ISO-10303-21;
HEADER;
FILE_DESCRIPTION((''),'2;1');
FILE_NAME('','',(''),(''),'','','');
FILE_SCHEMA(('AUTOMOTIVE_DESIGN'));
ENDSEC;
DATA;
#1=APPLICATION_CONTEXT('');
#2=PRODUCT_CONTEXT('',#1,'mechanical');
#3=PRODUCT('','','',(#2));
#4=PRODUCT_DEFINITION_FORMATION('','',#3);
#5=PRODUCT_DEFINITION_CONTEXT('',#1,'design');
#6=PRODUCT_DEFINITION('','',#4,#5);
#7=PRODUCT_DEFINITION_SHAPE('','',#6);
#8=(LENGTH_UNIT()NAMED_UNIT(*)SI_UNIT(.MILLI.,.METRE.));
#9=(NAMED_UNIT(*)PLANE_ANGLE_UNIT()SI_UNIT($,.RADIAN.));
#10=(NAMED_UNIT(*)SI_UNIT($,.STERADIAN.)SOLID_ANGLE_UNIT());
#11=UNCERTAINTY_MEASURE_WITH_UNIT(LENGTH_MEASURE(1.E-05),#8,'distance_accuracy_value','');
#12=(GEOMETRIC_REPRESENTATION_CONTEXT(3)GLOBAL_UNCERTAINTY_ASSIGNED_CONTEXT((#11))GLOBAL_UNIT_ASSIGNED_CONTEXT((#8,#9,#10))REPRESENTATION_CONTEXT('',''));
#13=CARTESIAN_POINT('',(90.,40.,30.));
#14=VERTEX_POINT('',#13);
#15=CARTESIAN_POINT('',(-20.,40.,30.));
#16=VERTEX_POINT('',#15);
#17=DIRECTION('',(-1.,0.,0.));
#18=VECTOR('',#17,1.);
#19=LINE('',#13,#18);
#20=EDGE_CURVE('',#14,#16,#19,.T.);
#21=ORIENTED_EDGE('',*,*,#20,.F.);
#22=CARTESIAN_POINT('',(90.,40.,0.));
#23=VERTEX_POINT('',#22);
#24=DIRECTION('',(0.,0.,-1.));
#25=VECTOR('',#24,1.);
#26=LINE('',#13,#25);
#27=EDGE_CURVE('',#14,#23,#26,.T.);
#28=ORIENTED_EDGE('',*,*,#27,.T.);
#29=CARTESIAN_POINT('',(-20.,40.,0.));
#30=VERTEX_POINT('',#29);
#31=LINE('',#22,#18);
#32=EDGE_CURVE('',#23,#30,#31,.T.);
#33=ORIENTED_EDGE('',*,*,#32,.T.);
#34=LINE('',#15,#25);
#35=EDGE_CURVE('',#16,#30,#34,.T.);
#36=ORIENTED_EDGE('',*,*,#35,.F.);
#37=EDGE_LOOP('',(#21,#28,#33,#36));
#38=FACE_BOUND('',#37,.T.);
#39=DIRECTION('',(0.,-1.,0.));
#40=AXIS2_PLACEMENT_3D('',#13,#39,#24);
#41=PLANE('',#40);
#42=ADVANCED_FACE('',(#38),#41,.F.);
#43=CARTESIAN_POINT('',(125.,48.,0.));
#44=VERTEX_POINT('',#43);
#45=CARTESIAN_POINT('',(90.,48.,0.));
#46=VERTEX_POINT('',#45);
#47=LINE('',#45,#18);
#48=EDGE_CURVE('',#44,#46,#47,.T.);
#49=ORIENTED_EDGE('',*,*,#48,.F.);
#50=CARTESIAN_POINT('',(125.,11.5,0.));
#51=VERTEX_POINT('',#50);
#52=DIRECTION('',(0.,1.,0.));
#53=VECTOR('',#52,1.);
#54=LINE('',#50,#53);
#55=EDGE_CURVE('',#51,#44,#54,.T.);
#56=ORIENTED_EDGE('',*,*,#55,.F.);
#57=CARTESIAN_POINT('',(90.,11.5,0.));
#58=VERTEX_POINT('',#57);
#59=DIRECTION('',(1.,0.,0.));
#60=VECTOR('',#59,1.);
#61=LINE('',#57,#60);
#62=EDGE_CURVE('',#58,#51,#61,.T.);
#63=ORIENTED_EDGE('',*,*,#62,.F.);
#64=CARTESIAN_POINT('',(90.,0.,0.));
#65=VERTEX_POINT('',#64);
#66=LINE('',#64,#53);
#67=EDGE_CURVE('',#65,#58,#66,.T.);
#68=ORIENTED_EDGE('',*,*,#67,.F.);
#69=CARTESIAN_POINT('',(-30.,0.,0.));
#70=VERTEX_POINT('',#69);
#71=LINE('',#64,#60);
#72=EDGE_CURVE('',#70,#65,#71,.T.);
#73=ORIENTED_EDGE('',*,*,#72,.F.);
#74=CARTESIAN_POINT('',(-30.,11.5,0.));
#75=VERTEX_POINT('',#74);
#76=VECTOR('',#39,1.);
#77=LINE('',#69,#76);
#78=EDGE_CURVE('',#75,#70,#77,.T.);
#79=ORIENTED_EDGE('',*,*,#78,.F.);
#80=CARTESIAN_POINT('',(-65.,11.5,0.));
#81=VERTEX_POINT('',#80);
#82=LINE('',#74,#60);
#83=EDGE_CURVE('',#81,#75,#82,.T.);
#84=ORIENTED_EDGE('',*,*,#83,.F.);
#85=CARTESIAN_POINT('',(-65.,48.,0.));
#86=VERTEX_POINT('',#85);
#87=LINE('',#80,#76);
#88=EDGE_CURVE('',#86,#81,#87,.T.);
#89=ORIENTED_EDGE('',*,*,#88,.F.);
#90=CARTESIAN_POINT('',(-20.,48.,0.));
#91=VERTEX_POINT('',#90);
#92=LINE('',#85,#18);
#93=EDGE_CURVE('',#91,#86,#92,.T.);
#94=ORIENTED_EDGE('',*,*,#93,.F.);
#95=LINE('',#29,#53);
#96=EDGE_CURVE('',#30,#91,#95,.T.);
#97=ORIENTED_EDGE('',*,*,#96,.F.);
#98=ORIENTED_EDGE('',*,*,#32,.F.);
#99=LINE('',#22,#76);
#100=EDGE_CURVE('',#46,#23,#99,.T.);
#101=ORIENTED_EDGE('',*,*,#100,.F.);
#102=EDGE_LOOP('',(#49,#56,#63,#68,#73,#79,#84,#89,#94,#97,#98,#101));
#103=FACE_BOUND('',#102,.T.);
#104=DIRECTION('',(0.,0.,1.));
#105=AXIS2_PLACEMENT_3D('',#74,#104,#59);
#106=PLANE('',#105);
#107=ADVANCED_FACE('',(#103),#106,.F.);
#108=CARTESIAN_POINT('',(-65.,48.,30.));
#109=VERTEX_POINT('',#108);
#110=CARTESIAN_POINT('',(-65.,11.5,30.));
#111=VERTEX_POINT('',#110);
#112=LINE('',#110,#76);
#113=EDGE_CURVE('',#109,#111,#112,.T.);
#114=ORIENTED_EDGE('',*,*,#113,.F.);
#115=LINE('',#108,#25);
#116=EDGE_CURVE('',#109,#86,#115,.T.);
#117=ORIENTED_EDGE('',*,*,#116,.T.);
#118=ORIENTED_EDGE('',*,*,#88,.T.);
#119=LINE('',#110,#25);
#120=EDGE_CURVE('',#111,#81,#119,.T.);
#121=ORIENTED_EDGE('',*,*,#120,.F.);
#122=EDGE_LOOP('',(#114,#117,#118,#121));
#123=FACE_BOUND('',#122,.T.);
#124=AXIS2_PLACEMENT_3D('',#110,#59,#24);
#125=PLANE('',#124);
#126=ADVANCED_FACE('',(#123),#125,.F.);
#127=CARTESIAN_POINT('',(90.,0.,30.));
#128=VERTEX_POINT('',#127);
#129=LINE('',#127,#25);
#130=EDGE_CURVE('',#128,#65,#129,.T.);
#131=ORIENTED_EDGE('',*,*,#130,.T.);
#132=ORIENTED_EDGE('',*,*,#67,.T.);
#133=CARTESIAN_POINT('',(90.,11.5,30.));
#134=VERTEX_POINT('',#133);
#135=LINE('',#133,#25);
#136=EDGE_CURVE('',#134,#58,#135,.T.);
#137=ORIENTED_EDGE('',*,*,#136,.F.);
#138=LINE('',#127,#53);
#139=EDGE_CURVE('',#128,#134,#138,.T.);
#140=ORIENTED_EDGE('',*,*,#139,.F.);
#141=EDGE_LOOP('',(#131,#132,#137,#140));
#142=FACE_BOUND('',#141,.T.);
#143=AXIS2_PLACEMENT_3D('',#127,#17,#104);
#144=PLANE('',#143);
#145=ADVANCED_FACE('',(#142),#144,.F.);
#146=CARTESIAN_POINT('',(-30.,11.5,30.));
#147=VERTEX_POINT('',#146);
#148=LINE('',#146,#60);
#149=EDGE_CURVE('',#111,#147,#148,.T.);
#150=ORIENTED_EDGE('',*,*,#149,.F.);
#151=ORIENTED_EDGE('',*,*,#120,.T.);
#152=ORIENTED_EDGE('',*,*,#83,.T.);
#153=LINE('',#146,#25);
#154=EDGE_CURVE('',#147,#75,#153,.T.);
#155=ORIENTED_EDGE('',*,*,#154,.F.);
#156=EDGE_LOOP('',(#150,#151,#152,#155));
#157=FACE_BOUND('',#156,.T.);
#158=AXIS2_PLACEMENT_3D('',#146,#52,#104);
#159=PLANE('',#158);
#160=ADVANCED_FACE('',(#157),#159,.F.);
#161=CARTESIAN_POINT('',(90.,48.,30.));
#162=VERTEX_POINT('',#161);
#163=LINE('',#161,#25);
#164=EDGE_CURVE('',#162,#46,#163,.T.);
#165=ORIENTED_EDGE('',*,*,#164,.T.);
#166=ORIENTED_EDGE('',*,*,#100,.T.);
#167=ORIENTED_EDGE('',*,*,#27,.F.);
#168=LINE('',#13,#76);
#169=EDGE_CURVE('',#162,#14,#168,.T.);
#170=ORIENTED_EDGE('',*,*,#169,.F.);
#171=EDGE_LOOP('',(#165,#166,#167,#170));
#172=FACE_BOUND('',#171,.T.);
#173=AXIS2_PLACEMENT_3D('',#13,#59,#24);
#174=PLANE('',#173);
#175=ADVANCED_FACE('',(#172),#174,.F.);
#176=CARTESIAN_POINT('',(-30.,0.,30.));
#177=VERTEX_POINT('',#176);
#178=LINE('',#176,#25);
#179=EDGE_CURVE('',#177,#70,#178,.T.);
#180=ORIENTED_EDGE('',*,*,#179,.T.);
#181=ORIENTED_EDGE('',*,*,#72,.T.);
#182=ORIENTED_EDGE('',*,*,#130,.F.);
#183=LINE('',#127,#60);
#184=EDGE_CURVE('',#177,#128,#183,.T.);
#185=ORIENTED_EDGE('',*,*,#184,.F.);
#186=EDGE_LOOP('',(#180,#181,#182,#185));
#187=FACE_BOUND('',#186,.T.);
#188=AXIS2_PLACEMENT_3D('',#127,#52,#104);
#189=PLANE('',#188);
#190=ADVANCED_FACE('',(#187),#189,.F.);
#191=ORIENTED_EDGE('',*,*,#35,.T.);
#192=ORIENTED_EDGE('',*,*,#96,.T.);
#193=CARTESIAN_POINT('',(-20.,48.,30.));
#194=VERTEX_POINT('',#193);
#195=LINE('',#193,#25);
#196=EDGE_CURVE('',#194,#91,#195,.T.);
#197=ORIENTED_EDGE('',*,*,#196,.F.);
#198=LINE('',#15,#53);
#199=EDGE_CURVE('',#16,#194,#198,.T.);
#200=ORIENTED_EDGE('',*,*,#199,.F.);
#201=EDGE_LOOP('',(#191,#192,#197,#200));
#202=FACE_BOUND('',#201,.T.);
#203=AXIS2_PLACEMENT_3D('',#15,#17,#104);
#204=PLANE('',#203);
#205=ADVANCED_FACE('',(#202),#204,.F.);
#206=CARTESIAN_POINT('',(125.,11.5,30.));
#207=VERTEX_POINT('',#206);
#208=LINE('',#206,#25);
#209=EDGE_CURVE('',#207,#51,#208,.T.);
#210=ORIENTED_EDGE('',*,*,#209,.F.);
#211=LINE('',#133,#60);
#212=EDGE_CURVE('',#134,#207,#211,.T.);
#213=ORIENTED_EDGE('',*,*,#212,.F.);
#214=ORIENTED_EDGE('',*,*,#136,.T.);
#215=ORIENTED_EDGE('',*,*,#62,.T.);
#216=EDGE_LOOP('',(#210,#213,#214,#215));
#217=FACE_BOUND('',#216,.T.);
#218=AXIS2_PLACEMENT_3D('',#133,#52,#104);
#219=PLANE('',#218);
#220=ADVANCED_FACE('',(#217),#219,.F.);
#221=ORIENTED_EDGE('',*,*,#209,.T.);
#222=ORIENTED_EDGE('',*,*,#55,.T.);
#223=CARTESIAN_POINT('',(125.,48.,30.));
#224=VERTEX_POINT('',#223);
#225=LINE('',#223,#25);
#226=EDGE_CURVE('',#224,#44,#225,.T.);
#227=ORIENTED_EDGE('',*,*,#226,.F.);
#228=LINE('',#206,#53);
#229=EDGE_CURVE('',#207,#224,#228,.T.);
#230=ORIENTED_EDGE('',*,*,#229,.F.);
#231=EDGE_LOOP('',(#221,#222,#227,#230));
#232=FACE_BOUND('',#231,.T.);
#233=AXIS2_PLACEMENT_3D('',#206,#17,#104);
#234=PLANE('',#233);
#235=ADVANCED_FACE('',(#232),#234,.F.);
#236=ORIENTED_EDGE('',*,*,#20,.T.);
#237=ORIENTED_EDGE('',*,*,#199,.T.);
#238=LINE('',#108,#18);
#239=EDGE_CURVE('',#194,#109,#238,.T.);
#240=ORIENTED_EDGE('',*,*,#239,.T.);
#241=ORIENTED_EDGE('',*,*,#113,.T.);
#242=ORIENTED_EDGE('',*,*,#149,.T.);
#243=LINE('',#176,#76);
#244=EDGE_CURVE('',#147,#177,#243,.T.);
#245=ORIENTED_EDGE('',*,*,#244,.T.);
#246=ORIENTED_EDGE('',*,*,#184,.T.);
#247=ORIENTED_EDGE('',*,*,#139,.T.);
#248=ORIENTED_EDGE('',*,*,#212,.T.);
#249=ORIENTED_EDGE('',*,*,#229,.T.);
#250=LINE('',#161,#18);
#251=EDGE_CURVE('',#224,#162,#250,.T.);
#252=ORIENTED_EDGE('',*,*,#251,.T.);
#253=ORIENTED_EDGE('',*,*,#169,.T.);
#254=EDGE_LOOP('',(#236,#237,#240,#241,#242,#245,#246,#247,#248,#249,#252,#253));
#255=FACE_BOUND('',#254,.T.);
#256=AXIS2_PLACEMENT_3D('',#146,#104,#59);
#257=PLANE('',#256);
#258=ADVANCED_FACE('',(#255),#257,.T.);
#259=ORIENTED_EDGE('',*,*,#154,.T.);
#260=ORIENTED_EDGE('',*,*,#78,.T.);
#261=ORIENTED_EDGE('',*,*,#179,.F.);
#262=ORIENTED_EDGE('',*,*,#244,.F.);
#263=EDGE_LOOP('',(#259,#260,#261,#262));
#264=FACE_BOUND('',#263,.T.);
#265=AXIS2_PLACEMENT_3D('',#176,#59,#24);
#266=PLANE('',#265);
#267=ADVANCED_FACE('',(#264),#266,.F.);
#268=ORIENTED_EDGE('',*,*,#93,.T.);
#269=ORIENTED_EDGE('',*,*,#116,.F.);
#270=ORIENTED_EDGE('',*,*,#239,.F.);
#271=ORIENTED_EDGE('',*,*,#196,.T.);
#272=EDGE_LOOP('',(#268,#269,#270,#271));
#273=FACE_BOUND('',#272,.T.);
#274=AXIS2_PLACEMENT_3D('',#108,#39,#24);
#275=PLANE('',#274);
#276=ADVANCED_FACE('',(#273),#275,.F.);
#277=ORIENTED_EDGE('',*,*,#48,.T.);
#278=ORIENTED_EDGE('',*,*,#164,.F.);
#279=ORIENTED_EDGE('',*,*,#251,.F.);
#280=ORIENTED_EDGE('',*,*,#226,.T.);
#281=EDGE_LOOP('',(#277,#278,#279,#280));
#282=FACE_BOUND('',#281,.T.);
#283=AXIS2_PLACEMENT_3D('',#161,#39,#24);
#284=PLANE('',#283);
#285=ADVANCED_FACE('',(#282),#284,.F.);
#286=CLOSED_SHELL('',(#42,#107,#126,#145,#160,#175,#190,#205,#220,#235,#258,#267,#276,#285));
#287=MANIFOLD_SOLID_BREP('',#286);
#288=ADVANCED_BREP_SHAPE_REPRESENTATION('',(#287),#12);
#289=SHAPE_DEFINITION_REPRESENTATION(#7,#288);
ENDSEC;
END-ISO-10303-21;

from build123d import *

# Parameters (mm, degrees)
EXTRUSION1_DEPTH = 30


with BuildPart() as part:
    # Esquisse1 → Extrusion1 (new body)
    with BuildSketch(Plane.XY):
        Polygon((90, 0), (-30, 0), (-30, 11.5), (-65, 11.5), (-65, 48), (-20, 48), (-20, 40), (90, 40), (90, 48), (125, 48), (125, 11.5), (90, 11.5), align=None)
    extrude(amount=EXTRUSION1_DEPTH)


solid = part.part
